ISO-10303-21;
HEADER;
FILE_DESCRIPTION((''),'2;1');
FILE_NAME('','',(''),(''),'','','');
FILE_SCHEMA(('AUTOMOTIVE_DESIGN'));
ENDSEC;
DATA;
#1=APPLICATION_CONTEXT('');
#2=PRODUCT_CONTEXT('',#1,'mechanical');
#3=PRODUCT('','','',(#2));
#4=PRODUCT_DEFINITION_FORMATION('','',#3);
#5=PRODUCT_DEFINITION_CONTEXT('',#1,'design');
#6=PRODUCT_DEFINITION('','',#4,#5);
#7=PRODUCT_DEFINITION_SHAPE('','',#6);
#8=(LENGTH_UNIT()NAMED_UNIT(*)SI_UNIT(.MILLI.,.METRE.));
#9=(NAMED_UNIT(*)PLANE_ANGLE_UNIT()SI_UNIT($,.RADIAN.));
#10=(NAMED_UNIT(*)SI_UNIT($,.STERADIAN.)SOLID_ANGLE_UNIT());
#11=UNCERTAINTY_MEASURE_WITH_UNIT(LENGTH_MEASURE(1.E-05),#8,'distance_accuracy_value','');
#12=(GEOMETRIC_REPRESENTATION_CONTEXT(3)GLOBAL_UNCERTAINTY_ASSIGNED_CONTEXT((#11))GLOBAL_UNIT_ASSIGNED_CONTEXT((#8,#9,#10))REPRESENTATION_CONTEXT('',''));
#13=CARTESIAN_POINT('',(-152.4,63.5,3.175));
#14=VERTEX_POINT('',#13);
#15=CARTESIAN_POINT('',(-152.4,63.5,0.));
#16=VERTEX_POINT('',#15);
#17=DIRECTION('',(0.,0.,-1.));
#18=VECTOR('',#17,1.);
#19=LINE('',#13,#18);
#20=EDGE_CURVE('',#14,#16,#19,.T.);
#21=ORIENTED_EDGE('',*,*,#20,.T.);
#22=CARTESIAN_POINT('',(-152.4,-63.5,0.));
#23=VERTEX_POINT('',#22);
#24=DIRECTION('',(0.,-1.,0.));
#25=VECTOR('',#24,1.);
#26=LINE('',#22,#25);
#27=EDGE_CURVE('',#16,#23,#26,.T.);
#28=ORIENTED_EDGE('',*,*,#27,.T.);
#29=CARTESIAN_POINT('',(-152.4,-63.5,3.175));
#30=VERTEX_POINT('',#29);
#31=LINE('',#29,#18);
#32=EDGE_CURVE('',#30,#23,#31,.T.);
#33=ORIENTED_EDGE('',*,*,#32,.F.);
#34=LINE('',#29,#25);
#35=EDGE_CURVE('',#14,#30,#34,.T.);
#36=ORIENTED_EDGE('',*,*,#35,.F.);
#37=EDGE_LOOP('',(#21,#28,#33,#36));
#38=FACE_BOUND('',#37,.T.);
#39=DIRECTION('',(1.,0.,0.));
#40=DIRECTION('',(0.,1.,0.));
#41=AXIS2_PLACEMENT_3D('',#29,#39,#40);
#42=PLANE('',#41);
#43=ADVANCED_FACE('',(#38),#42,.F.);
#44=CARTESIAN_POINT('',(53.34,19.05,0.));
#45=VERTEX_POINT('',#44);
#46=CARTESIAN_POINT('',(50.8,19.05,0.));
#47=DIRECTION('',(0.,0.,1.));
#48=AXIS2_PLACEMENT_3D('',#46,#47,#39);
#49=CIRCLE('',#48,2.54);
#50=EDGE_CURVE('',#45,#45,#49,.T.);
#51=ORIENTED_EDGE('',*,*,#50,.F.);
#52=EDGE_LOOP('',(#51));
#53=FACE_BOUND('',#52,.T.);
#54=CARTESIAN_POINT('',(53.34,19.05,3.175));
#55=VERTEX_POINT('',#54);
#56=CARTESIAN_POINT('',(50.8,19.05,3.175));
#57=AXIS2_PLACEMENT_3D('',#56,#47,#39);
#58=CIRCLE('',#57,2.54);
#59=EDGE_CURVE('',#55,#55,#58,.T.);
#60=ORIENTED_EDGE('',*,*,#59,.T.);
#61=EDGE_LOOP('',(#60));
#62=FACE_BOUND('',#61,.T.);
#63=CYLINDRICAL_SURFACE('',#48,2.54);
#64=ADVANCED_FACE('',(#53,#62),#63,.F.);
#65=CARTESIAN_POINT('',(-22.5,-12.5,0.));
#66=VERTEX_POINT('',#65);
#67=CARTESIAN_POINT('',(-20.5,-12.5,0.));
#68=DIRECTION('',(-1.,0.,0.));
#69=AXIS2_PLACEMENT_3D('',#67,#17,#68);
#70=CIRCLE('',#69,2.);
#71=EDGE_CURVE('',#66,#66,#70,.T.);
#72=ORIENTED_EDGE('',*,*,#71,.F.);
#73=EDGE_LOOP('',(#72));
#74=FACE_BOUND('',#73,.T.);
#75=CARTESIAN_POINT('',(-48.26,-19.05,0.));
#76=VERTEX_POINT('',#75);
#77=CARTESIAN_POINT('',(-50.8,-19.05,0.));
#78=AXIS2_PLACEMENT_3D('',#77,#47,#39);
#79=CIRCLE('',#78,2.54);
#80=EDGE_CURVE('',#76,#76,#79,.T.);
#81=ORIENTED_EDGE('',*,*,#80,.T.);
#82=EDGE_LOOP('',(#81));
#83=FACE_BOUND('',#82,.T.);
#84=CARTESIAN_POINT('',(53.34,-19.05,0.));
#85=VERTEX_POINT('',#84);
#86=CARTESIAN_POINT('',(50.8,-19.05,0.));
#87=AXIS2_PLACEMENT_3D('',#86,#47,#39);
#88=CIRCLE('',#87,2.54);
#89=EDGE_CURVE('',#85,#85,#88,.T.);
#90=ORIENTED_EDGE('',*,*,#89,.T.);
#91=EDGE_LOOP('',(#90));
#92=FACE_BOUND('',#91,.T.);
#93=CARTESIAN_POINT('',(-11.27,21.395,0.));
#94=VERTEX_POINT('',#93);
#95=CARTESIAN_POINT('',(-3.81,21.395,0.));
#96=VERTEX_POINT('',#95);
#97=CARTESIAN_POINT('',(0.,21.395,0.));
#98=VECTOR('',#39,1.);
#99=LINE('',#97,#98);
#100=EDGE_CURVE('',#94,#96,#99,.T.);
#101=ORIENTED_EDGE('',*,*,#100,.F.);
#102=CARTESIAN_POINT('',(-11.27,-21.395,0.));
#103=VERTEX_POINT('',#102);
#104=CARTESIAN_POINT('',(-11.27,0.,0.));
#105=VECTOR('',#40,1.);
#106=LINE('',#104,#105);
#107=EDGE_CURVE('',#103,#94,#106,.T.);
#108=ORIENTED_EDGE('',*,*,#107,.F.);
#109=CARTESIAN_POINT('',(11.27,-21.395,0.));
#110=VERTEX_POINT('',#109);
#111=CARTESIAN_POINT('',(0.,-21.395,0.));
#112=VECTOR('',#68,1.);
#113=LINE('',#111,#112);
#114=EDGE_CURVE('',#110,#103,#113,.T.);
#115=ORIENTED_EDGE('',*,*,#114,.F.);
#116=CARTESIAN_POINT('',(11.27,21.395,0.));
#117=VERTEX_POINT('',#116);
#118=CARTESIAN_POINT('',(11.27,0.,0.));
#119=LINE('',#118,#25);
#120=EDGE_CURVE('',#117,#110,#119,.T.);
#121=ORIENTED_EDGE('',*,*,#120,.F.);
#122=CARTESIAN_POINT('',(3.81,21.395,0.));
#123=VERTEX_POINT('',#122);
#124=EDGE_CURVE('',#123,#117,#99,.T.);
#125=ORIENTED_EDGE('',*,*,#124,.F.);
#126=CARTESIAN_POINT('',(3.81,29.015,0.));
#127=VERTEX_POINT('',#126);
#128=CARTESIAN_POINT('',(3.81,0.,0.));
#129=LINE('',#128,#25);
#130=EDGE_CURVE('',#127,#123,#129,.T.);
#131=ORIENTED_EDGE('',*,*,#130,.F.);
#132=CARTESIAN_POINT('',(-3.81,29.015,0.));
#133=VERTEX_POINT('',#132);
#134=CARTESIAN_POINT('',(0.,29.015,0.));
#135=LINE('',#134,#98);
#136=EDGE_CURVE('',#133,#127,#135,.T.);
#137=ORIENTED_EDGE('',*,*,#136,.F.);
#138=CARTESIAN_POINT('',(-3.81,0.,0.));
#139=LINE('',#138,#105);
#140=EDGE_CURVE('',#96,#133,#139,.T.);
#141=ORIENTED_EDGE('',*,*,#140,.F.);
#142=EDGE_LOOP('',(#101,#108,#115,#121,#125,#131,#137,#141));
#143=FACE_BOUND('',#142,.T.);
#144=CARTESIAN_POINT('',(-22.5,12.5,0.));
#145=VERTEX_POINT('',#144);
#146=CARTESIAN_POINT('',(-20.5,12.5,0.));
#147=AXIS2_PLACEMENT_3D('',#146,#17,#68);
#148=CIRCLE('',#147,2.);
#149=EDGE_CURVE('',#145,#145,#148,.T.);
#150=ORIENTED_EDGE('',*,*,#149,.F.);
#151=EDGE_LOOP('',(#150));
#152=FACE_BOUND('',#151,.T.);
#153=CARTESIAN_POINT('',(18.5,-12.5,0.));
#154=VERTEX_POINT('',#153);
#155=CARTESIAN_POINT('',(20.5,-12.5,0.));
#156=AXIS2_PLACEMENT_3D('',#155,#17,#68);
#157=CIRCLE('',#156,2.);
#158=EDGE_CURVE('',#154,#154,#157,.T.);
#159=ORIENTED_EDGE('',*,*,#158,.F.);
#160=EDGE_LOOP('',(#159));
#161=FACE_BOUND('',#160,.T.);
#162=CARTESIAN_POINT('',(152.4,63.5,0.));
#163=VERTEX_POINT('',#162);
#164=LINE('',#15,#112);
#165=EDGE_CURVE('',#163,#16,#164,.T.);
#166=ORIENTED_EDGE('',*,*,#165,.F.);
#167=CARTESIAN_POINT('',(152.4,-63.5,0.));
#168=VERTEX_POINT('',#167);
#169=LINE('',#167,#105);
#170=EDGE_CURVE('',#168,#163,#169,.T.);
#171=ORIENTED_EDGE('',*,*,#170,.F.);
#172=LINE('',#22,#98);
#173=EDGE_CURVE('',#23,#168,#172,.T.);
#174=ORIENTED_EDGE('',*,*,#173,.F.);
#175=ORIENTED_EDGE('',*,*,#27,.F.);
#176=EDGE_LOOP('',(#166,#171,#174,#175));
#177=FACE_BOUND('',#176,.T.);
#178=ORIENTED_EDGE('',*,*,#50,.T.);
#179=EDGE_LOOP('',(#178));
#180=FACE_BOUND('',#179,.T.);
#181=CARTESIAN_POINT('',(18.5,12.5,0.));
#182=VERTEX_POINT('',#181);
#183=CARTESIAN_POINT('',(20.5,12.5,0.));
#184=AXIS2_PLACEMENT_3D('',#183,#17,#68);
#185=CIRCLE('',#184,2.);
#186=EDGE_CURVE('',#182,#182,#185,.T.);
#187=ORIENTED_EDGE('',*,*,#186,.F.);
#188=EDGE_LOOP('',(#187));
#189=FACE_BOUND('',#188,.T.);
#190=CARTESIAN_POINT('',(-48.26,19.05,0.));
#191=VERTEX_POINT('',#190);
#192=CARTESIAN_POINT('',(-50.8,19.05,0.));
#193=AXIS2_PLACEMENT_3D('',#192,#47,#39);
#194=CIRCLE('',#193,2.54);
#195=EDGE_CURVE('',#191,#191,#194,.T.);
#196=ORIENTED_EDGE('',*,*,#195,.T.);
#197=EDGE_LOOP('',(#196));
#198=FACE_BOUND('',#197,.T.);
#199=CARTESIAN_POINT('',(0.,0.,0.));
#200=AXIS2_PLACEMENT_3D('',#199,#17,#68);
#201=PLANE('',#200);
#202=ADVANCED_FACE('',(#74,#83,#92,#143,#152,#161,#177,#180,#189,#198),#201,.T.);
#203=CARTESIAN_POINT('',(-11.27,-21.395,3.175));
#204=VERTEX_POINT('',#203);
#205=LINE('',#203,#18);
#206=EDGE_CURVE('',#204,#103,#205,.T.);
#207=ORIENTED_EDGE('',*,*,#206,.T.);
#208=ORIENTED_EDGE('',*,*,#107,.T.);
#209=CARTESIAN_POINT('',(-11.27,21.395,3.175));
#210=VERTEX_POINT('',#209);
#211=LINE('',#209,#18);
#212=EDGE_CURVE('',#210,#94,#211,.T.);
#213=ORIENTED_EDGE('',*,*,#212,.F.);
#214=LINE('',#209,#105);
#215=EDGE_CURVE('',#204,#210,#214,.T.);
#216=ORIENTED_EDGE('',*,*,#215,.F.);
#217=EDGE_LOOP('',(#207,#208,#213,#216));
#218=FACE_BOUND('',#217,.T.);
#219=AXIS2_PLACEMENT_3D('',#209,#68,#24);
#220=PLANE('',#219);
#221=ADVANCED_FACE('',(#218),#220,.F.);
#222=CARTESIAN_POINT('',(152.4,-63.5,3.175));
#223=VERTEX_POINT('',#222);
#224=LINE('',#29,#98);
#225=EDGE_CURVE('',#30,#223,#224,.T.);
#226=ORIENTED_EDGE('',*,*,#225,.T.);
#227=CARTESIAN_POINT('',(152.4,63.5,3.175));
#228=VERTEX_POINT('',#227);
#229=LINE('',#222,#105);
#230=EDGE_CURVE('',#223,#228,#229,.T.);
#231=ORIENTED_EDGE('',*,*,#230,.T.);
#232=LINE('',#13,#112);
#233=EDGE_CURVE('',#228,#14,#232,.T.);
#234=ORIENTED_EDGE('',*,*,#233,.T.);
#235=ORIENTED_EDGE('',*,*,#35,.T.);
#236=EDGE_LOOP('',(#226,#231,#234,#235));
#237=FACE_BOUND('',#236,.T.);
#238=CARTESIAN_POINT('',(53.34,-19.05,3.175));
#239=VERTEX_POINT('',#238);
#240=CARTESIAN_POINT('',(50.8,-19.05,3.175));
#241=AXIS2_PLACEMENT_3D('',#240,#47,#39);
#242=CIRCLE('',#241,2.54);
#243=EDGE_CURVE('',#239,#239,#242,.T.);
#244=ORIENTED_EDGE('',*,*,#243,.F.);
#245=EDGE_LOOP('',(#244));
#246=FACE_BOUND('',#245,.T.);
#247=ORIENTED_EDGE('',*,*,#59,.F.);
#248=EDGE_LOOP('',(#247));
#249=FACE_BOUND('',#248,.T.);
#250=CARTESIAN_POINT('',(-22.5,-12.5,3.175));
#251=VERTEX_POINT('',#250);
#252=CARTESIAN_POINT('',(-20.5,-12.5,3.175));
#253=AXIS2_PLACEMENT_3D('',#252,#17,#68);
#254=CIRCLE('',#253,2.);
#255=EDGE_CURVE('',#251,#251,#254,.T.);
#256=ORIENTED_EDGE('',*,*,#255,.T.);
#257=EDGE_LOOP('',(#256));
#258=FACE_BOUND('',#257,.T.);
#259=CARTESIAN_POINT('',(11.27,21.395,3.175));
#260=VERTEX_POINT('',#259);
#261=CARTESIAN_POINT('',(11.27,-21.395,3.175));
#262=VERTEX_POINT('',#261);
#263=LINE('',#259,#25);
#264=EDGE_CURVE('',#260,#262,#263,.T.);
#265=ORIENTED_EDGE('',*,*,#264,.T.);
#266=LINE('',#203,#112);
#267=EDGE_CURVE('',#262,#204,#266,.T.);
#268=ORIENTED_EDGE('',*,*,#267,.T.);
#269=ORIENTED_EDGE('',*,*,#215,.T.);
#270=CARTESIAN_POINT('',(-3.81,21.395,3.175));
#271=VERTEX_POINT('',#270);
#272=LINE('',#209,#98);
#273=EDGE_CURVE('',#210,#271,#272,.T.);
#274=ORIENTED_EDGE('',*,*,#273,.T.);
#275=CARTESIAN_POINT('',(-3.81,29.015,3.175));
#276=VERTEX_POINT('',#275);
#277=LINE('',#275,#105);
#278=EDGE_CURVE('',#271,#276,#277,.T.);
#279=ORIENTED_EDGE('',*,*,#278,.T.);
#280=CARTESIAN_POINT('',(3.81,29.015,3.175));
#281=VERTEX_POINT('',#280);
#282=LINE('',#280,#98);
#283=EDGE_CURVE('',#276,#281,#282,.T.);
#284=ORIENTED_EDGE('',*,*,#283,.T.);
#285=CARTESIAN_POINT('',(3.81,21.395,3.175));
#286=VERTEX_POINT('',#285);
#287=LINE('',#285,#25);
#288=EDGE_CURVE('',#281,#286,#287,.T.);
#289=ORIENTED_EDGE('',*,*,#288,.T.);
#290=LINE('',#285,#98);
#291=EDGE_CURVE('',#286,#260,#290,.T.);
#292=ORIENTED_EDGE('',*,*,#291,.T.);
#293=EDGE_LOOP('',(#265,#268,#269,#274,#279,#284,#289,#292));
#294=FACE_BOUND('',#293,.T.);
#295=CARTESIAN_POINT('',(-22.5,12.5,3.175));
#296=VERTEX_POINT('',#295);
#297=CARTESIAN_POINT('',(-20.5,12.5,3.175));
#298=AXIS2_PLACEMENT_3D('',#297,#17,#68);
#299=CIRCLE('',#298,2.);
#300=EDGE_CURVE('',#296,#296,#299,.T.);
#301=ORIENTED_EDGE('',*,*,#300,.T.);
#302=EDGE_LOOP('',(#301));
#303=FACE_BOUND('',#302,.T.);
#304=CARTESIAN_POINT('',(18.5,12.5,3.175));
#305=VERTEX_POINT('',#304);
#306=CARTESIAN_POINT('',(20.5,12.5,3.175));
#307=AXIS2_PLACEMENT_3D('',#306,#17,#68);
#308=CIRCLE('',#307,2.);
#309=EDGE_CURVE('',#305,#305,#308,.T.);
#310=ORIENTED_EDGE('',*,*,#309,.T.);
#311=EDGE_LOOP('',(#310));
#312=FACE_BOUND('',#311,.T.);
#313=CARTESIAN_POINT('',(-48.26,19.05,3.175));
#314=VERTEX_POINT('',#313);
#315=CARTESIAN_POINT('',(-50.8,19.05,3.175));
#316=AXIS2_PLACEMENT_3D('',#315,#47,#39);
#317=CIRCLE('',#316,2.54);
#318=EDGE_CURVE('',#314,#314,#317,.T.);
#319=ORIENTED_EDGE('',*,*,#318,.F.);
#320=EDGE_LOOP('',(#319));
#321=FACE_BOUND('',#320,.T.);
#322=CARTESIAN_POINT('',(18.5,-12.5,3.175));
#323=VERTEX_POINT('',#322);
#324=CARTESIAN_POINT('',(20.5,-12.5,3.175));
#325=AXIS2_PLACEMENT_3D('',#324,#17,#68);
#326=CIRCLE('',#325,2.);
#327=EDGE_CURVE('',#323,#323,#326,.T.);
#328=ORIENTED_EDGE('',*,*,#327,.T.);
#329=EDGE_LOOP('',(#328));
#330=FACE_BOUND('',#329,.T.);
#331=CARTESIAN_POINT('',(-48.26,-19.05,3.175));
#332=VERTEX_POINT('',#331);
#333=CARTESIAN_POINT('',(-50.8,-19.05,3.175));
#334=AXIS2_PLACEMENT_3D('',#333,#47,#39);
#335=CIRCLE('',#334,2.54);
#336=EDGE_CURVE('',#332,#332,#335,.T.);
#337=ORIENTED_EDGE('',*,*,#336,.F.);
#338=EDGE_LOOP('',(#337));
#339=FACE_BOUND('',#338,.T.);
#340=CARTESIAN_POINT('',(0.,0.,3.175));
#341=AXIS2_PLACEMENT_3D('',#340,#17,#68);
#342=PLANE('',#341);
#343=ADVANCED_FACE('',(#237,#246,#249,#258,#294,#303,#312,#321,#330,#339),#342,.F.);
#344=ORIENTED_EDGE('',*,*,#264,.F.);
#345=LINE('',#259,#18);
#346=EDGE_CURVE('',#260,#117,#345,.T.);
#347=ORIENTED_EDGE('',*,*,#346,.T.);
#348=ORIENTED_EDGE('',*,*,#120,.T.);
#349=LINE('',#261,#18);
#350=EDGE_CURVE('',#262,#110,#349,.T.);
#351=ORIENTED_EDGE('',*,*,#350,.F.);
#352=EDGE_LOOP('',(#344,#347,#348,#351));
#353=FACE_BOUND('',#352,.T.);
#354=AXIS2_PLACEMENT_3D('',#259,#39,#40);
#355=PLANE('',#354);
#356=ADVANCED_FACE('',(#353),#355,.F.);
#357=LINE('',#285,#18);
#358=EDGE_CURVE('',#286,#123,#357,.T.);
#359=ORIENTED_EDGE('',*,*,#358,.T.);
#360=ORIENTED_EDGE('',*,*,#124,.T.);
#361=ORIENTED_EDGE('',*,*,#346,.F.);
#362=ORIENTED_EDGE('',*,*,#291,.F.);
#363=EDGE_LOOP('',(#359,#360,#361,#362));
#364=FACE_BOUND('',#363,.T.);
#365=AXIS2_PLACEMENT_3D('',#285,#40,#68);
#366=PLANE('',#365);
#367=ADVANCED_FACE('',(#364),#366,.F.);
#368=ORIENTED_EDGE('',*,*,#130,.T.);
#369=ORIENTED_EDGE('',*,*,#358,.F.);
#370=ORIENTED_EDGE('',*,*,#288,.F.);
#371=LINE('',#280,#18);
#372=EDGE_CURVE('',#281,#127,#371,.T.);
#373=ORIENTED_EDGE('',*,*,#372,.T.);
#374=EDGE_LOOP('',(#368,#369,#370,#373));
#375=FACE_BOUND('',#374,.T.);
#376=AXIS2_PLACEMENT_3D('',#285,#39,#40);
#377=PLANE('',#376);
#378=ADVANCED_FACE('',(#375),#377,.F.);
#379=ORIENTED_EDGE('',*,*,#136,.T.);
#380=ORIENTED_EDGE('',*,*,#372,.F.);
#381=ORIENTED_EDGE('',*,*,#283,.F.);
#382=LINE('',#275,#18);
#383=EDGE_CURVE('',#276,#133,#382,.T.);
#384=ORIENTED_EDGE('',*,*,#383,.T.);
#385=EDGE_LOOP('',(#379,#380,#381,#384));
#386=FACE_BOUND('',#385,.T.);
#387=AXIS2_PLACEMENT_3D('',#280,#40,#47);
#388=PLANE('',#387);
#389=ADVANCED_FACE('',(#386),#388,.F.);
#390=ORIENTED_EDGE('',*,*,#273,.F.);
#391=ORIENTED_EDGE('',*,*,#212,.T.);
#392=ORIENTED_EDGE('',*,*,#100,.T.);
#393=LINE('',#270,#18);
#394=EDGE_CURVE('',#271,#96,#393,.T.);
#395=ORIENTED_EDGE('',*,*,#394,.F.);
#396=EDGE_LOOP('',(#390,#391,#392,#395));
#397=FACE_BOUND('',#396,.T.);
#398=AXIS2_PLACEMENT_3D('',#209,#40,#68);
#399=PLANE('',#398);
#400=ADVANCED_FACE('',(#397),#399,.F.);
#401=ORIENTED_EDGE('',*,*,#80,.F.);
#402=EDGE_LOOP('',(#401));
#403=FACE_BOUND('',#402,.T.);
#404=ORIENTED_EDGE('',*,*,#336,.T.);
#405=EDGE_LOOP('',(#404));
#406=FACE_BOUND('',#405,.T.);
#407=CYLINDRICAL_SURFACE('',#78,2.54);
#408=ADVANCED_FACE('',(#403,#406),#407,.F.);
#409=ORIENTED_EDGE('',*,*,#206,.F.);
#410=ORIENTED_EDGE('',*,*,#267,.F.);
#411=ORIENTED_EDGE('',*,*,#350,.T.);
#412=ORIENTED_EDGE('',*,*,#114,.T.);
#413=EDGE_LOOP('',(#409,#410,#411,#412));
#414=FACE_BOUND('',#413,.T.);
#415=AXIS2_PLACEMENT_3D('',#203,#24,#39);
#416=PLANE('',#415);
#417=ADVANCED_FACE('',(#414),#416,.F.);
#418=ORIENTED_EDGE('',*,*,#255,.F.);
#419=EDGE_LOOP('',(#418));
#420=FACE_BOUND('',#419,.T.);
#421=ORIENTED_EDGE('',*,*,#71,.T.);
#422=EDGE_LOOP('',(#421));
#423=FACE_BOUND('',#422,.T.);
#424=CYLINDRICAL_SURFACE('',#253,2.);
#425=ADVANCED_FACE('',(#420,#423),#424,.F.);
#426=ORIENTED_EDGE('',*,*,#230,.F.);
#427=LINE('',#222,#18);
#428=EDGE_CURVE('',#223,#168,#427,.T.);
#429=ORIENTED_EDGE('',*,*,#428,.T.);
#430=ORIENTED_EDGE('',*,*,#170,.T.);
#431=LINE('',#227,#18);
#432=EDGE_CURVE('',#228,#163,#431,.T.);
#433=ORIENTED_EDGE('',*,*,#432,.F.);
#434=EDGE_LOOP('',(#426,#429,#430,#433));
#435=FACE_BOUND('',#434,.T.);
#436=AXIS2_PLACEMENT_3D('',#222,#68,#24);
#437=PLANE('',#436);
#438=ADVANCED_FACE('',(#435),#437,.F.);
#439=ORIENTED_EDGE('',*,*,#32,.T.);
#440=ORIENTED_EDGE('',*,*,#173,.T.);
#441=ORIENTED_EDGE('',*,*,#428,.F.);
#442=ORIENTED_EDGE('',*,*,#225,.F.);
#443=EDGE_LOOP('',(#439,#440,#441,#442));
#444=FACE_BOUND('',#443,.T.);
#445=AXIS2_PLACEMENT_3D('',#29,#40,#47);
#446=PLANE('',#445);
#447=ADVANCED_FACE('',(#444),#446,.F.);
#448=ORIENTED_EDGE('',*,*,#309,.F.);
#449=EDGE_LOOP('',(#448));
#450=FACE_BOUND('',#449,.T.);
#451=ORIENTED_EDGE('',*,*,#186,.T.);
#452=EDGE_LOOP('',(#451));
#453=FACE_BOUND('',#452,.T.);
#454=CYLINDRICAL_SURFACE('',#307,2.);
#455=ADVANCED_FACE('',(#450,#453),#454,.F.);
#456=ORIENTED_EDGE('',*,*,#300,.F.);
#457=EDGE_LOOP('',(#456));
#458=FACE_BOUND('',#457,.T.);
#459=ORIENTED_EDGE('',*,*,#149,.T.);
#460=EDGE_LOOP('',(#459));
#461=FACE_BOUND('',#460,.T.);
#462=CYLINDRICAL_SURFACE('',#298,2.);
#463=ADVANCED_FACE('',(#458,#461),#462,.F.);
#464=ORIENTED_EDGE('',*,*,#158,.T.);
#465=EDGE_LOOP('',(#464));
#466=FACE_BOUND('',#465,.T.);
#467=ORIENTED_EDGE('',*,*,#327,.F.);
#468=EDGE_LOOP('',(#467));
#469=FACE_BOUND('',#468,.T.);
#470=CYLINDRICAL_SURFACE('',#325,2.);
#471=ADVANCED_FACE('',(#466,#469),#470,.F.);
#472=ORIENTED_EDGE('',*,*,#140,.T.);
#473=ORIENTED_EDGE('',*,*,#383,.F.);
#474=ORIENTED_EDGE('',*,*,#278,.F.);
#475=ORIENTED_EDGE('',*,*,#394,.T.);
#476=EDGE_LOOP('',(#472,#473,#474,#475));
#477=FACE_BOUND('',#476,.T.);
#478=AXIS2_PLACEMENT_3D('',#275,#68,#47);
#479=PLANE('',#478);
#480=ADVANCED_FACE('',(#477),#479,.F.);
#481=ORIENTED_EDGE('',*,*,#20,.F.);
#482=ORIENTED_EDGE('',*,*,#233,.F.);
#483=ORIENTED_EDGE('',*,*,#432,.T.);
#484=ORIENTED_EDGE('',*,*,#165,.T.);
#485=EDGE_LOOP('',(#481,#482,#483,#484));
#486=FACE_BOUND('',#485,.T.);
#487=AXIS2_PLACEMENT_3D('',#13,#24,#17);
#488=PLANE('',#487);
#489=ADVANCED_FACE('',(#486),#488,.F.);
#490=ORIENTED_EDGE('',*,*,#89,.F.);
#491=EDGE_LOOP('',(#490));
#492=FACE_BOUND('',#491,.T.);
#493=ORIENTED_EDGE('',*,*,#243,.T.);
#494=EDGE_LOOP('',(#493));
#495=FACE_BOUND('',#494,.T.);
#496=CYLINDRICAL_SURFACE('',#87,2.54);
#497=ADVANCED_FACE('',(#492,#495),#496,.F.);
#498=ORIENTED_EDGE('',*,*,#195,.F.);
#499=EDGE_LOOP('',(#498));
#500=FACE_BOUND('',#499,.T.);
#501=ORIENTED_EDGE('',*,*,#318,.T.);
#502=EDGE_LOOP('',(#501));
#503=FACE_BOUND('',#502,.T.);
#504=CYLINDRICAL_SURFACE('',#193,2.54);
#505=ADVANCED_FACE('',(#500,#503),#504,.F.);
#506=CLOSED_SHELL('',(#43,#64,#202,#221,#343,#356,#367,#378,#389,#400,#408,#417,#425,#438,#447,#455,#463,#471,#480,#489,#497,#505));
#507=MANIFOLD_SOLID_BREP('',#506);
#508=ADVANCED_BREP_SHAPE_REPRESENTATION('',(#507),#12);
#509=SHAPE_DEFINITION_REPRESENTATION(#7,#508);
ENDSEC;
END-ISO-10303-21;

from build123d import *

# Parameters (mm, degrees)
SKETCH1_W               = 304.8
SKETCH1_H               = 127
BOSS_EXTRUDE1_DEPTH     = 3.175
SKETCH2_R               = 2.54
CUT_EXTRUDE1_DEPTH      = 166.130526024
CUT_EXTRUDE2_DEPTH      = 166.130526024
CUT_EXTRUDE2_DEPTH_BACK = 166.130526024
SKETCH3_R               = 2


with BuildPart() as part:
    # Sketch1 → Boss-Extrude1 (new body)
    with BuildSketch(Plane.XY):
        Rectangle(SKETCH1_W, SKETCH1_H)
    extrude(amount=BOSS_EXTRUDE1_DEPTH)

    # Sketch2 → Cut-Extrude1 (cut, through all)
    with BuildSketch(Plane.XY.offset(3.175)):
        with Locations((50.8, 19.05)):
            Circle(SKETCH2_R)
        with Locations((50.8, -19.05)):
            Circle(SKETCH2_R)
        with Locations((-50.8, -19.05)):
            Circle(SKETCH2_R)
        with Locations((-50.8, 19.05)):
            Circle(SKETCH2_R)
    extrude(amount=-CUT_EXTRUDE1_DEPTH, mode=Mode.SUBTRACT)

    # Sketch3 → Cut-Extrude2 (cut, two sides: drawn at the far end of the back side and taken through both)
    with BuildSketch(Plane(origin=(0, 0, 0), x_dir=(-1, 0, 0), z_dir=(0, 0, -1)).offset(-CUT_EXTRUDE2_DEPTH_BACK)):
        with Locations((-20.5, 12.5)):
            Circle(SKETCH3_R)
        with Locations((20.5, -12.5)):
            Circle(SKETCH3_R)
        with Locations((20.5, 12.5)):
            Circle(SKETCH3_R)
        with Locations((-20.5, -12.5)):
            Circle(SKETCH3_R)
        Polygon((11.27, 21.395), (11.27, -21.395), (-11.27, -21.395), (-11.27, 21.395), (-3.81, 21.395), (-3.81, 29.015), (3.81, 29.015), (3.81, 21.395), align=None)
    extrude(amount=CUT_EXTRUDE2_DEPTH + CUT_EXTRUDE2_DEPTH_BACK, mode=Mode.SUBTRACT)


solid = part.part
